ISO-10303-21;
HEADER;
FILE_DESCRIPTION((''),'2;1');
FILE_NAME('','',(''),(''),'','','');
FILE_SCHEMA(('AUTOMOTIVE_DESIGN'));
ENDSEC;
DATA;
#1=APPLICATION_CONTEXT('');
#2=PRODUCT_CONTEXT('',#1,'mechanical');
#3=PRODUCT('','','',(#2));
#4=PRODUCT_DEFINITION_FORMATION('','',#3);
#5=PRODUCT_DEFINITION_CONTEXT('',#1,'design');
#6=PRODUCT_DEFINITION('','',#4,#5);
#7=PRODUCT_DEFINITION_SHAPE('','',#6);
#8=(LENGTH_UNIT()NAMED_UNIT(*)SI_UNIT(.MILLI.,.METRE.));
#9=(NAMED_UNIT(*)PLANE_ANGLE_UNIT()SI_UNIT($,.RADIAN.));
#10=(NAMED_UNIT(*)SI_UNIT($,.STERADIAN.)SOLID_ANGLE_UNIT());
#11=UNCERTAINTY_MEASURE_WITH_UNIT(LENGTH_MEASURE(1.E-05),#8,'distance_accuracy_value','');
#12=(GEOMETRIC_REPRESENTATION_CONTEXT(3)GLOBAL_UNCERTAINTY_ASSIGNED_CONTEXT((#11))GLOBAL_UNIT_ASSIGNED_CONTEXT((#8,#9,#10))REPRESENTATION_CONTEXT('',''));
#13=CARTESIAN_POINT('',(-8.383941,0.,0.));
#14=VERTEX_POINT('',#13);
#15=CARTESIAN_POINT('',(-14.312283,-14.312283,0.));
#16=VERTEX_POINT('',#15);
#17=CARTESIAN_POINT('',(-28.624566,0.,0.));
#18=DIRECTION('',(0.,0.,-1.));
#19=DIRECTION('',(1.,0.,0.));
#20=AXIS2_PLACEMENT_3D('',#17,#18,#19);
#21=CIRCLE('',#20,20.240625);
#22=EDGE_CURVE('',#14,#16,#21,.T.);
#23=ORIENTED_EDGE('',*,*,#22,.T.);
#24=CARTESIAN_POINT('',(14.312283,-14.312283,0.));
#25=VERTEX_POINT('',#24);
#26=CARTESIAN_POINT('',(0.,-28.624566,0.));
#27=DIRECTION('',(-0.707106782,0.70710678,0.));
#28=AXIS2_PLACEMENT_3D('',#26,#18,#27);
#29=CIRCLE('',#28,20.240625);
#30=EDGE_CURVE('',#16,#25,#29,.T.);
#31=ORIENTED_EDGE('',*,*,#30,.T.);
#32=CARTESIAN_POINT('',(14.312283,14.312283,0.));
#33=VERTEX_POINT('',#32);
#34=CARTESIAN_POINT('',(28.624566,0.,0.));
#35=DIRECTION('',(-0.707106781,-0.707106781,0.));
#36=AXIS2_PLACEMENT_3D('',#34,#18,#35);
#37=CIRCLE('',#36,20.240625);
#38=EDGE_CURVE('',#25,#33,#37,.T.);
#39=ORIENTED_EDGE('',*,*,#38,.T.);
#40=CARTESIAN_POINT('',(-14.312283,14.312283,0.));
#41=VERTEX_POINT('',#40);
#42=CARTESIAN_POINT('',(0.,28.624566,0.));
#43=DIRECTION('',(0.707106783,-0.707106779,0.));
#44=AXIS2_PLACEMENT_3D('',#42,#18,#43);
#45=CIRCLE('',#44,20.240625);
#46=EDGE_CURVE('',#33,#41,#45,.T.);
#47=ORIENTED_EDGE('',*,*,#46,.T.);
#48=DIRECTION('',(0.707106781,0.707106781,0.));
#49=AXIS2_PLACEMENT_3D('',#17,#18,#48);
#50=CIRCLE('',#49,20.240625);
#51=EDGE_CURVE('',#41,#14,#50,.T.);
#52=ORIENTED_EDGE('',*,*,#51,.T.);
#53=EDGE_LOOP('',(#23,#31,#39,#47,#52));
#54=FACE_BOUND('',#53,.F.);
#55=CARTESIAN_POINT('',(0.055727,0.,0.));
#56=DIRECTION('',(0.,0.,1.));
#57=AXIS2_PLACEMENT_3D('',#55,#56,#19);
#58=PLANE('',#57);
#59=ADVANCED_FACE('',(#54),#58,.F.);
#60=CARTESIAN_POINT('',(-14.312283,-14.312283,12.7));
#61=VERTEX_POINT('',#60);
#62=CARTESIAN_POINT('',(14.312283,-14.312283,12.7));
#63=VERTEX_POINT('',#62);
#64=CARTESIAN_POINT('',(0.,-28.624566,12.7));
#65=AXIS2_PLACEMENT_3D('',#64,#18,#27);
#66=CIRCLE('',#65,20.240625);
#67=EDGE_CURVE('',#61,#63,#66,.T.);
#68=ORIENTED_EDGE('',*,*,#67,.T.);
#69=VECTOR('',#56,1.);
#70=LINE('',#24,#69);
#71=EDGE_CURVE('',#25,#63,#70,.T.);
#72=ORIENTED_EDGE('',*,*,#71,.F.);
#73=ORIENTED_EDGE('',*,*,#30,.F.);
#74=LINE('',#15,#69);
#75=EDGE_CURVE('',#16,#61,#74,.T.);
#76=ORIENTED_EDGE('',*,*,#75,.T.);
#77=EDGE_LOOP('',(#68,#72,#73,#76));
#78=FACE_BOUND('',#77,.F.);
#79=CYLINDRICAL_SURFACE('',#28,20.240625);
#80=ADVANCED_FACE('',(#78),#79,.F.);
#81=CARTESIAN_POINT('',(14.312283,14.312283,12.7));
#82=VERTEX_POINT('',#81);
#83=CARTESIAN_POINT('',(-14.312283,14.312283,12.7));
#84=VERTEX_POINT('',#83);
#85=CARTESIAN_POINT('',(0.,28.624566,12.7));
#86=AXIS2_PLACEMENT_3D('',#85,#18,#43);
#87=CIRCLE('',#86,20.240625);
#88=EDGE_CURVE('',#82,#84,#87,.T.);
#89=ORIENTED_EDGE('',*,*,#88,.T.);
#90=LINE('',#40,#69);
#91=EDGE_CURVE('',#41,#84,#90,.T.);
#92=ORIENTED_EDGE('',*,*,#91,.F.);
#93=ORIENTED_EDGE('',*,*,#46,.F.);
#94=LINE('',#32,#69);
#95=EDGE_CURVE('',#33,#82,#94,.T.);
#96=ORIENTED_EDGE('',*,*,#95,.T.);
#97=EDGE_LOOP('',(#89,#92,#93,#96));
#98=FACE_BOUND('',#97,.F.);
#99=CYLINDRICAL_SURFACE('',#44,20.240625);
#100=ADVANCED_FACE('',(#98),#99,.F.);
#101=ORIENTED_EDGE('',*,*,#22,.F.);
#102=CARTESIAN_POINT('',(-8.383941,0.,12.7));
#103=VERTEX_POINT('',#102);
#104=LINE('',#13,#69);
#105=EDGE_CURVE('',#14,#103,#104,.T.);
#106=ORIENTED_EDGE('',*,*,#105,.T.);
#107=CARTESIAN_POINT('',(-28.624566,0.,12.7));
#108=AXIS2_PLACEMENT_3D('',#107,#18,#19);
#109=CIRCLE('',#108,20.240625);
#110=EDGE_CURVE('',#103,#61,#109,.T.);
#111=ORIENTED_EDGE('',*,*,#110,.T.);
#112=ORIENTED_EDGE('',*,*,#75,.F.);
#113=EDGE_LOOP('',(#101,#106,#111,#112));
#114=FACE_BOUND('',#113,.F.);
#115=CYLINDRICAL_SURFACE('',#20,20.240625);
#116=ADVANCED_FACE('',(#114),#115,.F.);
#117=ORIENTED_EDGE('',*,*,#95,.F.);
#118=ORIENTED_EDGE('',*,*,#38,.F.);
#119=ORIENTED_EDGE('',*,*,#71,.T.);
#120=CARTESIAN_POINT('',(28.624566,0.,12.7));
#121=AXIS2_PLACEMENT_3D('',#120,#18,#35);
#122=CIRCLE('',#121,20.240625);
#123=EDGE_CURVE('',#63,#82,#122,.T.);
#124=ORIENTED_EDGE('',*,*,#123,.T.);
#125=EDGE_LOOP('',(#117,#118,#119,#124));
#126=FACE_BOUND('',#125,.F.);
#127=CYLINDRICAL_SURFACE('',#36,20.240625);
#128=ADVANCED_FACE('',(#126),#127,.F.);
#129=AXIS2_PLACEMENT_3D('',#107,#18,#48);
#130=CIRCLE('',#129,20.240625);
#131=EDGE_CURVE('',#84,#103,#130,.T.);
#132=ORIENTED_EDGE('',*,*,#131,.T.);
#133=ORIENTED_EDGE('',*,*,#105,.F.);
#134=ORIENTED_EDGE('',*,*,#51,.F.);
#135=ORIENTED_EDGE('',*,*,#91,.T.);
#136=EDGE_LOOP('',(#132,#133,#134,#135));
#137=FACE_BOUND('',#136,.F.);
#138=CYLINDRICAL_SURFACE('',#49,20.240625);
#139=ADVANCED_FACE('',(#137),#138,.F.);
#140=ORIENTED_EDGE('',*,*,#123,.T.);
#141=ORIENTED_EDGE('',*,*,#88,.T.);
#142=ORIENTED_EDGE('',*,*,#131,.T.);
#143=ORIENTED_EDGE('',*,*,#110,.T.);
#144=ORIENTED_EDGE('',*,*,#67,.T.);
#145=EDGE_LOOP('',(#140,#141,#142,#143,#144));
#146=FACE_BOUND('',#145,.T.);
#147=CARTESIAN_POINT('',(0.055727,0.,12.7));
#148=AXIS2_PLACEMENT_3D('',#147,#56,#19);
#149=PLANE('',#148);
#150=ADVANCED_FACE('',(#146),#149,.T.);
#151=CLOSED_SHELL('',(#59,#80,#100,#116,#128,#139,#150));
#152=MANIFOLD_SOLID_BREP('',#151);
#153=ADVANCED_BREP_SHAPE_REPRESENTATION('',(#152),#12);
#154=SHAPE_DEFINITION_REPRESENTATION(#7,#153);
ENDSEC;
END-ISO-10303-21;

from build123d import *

# Parameters (mm, degrees)
F1_DEPTH = 12.7


with BuildPart() as f1:
    # F0 (on Top) → F1 (new body)
    with BuildSketch(Plane.XY):
        with BuildLine():
            ThreePointArc((14.312283193, -14.312283193), (8.3839413859, 2.7e-08), (14.3122832312, 14.3122832312))
            ThreePointArc((14.3122832312, 14.3122832312), (2.7e-08, 8.3839413859), (-14.312283193, 14.312283193))
            ThreePointArc((-14.312283193, 14.312283193), (-9.9246672232, 7.7457518482), (-8.3839413859, 0))
            ThreePointArc((-8.3839413859, 0), (-9.9246672276, -7.7457518588), (-14.3122832092, -14.3122832092))
            ThreePointArc((-14.3122832092, -14.3122832092), (-1.15e-08, -8.3839413859), (14.312283193, -14.312283193))
        make_face()
    extrude(amount=F1_DEPTH)


solid = f1.part
